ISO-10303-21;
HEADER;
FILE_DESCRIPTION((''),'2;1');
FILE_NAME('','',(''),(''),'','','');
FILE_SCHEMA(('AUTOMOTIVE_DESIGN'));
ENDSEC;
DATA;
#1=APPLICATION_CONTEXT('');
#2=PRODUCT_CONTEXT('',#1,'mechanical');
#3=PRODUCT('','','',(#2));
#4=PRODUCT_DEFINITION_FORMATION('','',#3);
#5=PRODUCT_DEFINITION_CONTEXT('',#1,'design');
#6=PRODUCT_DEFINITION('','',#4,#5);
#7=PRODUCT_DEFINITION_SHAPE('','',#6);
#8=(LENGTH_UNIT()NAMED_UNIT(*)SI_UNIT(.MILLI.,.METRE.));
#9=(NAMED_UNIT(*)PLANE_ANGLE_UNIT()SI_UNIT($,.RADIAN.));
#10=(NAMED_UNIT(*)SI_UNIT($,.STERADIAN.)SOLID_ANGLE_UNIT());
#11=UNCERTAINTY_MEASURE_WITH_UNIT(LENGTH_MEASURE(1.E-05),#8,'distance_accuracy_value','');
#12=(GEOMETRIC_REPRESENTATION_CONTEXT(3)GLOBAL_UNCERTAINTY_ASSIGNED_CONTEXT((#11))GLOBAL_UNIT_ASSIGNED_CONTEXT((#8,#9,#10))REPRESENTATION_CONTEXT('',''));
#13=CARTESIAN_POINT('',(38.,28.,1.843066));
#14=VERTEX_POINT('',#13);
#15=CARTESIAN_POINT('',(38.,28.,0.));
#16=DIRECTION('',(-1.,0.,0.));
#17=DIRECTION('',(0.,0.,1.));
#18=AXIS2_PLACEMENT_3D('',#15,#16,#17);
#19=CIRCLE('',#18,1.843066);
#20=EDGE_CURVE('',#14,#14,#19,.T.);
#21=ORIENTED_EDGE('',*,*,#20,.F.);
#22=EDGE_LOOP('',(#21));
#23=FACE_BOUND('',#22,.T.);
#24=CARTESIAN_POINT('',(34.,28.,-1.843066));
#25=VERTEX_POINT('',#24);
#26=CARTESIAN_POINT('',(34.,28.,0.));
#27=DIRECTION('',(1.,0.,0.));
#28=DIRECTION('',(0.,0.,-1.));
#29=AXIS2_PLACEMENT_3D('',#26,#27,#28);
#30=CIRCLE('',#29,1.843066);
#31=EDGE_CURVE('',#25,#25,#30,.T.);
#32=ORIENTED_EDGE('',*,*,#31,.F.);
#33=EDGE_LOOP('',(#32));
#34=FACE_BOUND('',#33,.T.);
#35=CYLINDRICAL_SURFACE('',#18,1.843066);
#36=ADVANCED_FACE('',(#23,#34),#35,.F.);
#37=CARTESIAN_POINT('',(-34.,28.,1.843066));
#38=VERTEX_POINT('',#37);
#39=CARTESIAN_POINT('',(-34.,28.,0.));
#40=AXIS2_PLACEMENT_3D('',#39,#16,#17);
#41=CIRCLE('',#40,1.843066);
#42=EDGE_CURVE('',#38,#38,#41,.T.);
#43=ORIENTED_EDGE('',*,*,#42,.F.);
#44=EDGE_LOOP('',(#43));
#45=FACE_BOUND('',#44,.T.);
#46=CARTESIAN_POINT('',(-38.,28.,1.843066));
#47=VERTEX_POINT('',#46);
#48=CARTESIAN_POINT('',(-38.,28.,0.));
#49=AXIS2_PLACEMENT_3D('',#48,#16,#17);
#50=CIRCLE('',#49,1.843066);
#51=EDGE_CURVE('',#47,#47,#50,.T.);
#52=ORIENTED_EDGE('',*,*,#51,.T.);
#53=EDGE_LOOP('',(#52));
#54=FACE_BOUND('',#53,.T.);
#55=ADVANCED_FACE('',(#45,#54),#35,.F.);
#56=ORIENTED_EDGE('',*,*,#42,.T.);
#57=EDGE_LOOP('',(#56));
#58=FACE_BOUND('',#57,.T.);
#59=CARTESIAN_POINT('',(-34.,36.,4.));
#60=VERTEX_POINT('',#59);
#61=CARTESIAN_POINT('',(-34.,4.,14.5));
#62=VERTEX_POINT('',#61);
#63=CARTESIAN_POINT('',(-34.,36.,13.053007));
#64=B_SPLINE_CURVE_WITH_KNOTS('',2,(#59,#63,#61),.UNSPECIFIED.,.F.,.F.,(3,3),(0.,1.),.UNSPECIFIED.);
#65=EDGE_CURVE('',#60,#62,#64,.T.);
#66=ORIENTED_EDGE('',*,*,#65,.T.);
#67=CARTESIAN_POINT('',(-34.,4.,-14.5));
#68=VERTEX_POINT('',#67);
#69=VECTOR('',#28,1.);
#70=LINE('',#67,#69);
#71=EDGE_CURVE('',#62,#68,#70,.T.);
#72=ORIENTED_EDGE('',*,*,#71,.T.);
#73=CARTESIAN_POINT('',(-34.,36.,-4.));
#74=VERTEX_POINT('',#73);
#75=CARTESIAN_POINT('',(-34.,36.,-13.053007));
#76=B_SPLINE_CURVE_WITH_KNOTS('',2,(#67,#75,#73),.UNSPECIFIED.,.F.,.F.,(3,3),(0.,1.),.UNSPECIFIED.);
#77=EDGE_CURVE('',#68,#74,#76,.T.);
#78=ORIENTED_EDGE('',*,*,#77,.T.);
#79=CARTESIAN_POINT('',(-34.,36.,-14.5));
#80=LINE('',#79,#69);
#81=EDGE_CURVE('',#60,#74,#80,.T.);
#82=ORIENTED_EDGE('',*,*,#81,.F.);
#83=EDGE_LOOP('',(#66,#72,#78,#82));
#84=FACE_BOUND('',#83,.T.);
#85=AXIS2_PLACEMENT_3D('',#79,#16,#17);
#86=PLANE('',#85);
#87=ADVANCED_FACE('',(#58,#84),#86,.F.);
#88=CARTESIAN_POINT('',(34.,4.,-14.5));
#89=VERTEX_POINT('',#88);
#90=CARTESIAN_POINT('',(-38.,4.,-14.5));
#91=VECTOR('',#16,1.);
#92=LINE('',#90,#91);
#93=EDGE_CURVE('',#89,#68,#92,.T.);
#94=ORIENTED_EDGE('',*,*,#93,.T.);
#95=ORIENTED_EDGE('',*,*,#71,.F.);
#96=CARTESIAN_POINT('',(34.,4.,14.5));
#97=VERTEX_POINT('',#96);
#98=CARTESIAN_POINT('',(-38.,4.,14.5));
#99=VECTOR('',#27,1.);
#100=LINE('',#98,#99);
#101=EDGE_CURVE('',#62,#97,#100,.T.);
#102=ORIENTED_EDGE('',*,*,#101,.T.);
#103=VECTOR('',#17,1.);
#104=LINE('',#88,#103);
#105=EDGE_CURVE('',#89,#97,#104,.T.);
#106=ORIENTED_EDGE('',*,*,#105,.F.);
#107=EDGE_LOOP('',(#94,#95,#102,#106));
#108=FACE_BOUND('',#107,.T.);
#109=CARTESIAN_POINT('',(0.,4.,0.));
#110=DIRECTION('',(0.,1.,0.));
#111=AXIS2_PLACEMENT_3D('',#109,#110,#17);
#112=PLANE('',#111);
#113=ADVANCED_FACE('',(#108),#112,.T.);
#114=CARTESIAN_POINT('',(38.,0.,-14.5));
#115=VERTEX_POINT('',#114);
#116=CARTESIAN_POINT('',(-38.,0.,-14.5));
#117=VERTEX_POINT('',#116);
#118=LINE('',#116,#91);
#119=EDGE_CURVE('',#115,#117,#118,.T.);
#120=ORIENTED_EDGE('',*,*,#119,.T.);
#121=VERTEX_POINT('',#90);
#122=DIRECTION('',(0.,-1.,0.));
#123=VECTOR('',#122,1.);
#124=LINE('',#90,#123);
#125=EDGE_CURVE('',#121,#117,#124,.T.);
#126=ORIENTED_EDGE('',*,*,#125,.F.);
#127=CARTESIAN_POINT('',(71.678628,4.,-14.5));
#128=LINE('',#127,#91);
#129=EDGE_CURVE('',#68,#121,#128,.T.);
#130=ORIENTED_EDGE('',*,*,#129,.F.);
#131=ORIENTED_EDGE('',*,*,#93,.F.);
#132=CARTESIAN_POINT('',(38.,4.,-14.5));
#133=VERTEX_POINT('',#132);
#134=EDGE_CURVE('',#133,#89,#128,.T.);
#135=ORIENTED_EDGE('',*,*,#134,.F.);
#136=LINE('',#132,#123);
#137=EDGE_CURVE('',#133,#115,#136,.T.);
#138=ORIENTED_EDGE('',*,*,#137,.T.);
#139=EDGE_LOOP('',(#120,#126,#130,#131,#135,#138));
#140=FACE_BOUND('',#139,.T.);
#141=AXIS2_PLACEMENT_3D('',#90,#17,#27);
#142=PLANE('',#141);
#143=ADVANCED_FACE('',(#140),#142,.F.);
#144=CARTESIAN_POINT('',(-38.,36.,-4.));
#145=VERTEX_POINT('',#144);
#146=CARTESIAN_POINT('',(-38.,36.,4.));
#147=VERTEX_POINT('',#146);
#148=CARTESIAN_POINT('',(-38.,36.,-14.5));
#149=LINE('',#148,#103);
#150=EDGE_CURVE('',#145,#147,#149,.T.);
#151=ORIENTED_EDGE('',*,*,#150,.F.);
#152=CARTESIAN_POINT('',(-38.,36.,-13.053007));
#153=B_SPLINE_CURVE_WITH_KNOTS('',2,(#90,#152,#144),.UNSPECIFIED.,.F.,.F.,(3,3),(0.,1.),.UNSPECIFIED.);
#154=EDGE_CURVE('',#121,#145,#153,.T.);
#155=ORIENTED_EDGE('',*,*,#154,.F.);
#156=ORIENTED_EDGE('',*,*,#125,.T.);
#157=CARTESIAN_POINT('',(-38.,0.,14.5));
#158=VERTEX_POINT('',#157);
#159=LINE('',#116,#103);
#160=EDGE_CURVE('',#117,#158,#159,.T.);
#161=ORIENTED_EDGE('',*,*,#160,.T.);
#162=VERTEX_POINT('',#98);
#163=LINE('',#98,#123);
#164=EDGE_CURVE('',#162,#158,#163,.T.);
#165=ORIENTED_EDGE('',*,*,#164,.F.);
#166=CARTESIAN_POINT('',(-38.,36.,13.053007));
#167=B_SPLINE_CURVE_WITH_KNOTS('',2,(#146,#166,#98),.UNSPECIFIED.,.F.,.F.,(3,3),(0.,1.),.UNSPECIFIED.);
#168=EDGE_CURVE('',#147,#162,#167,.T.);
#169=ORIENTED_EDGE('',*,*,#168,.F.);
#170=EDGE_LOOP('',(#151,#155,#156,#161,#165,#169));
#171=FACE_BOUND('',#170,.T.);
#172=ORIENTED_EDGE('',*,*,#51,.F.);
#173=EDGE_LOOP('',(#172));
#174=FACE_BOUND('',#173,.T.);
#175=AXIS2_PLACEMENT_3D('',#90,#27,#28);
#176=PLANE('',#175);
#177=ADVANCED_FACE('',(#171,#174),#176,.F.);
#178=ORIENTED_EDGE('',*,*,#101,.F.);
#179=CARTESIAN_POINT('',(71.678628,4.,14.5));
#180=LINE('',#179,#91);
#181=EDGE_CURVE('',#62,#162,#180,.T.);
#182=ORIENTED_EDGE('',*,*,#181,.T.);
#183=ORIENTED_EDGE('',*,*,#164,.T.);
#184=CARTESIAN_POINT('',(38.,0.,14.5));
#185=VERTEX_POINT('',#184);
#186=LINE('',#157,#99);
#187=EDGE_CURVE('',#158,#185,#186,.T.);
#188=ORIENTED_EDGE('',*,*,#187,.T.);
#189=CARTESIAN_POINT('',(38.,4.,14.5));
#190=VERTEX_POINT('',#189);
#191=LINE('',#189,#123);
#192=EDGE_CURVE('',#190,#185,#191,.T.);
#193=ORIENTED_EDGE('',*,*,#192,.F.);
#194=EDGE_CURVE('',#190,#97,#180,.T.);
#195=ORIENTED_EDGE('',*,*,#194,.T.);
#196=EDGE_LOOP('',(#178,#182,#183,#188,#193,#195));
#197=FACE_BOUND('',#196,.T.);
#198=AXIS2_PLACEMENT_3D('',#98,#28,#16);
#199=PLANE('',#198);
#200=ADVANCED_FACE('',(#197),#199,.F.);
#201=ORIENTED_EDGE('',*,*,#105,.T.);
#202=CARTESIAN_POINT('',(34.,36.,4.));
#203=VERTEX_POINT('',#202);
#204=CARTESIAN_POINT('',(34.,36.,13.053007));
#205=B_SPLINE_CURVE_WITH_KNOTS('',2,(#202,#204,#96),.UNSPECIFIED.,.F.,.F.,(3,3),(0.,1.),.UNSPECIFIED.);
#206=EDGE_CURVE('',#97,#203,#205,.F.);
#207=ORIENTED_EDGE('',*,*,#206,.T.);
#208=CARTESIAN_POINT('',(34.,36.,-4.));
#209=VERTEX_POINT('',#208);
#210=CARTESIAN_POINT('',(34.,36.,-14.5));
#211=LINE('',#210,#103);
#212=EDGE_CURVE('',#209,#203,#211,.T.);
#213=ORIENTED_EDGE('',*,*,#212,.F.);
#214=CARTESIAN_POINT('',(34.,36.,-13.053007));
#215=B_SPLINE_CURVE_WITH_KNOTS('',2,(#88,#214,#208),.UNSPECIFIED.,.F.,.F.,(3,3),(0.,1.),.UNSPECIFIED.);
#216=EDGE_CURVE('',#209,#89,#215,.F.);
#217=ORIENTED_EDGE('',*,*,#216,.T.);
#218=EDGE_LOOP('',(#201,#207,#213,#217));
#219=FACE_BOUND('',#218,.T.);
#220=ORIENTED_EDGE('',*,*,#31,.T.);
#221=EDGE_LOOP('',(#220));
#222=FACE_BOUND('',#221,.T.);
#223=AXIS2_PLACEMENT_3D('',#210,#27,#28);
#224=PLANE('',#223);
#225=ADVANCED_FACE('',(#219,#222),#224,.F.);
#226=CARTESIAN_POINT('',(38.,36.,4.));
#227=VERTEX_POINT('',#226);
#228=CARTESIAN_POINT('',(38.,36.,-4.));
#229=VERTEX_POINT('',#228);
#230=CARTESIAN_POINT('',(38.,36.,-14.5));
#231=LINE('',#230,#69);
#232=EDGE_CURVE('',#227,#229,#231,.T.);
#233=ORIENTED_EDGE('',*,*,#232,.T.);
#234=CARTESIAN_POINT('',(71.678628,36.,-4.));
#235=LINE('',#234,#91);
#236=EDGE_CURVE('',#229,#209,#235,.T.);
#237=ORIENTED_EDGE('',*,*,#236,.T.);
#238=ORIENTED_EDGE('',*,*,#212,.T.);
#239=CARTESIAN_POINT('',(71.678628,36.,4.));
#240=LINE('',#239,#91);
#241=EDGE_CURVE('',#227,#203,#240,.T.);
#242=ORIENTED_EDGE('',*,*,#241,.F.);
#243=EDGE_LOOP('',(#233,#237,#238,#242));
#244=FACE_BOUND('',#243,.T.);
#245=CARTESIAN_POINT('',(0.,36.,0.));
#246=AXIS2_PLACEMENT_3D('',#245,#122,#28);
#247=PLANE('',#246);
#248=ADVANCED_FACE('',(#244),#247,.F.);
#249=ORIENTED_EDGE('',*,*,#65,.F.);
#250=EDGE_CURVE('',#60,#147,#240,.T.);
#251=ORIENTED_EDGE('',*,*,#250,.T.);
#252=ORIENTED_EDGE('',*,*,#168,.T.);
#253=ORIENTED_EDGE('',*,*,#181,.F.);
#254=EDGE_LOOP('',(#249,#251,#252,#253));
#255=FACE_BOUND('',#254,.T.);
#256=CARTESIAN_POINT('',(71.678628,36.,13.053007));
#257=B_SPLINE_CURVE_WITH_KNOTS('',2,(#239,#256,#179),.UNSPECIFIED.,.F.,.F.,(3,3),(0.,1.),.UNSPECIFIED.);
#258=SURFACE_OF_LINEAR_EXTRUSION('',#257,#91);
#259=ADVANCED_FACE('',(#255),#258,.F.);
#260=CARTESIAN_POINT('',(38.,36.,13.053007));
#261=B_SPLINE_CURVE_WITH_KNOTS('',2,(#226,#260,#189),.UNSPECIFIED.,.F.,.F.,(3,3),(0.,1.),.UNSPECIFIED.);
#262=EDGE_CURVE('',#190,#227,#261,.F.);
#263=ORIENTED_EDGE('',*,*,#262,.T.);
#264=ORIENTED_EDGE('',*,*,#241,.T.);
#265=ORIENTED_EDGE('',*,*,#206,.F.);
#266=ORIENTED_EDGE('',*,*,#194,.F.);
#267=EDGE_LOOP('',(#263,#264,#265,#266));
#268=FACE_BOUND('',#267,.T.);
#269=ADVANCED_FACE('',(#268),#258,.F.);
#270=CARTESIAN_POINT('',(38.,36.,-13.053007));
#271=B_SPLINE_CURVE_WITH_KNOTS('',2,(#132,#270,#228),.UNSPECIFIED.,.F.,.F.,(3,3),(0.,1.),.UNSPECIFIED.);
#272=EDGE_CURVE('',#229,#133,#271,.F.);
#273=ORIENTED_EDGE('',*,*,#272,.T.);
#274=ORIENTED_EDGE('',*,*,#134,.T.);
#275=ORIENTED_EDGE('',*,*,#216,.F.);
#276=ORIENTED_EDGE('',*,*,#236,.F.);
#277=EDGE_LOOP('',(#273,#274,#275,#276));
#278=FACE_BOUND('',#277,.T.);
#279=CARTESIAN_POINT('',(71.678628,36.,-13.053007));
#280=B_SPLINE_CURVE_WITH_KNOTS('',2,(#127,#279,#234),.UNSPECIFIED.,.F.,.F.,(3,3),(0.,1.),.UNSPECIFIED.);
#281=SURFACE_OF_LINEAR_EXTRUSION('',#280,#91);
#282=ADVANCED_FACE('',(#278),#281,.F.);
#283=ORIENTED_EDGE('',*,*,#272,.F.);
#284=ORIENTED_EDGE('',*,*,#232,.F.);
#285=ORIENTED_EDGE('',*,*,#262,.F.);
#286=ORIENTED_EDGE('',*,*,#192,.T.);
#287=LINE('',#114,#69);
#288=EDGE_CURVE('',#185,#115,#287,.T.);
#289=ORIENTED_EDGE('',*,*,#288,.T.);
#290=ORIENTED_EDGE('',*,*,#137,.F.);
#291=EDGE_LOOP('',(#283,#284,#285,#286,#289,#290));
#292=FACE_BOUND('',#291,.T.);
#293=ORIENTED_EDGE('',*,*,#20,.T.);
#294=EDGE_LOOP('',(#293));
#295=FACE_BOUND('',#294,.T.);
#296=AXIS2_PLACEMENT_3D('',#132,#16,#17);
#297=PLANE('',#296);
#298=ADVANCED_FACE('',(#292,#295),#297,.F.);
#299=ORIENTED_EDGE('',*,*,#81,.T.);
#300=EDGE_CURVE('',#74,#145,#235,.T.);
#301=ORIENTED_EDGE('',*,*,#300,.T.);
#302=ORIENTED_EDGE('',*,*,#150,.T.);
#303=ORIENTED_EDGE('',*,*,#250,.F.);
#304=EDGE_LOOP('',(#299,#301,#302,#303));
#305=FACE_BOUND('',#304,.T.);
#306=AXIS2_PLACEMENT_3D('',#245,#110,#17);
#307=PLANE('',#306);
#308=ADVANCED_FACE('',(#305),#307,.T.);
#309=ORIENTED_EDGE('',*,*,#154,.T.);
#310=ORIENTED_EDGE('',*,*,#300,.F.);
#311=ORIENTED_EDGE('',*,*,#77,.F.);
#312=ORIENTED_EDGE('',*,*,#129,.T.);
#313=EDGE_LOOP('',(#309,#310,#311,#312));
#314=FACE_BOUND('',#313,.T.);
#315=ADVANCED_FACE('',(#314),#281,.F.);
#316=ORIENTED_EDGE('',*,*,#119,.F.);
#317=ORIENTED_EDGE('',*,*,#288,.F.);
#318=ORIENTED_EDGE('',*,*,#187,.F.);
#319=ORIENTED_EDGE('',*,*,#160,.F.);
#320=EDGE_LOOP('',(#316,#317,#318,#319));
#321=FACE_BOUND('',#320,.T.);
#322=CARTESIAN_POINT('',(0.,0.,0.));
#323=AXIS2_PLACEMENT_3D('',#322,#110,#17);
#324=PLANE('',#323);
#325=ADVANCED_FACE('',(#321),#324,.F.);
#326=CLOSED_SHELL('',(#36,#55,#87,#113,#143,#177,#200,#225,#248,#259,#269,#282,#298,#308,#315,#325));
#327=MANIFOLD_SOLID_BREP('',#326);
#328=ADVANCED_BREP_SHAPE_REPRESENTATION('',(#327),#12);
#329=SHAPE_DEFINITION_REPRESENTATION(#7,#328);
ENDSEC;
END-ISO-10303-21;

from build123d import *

# Parameters (mm, degrees)
SKETCH1_W               = 76
SKETCH1_H               = 29
BOSS_EXTRUDE1_DEPTH     = 4
SKETCH2_W               = 4
SKETCH2_H               = 29
BOSS_EXTRUDE2_DEPTH     = 32
CUT_EXTRUDE1_REACH      = 87.336
CUT_EXTRUDE2_DEPTH      = 82.793948581
CUT_EXTRUDE2_DEPTH_BACK = 82.793948581
SKETCH4_R               = 1.843066456


with BuildPart() as part:
    # Sketch1 → Boss-Extrude1 (new body)
    with BuildSketch(Plane(origin=(0, 0, 0), x_dir=(1, 0, 0), z_dir=(0, 1, 0))):
        Rectangle(SKETCH1_W, SKETCH1_H)
    extrude(amount=BOSS_EXTRUDE1_DEPTH)

    # Sketch2 → Boss-Extrude2 (add)
    with BuildSketch(Plane(origin=(0, 4, 0), x_dir=(1, 0, 0), z_dir=(0, 1, 0))):
        with Locations((-36, 0)):
            Rectangle(SKETCH2_W, SKETCH2_H)
        with Locations((36, 0)):
            Rectangle(SKETCH2_W, SKETCH2_H)
    extrude(amount=BOSS_EXTRUDE2_DEPTH)

    # Cut-Extrude1: up to this face of the body (flat: up to its plane)
    cut_extrude1_end = Plane(part.part.faces().sort_by_distance((38, 18, 0))[0])
    # Sketch3 → Cut-Extrude1 (cut, up to the picked face)
    with BuildSketch(Plane.ZY.offset(38), mode=Mode.PRIVATE) as cut_extrude1_sk1:
        with BuildLine():
            Line((14.5, 4), (14.5, 36))
            Line((14.5, 36), (4, 36))
            add(Edge.make_bspline(
                [(14.5, 4), (13.053007325, 36), (4, 36)],
                knots=[0, 0, 0, 1, 1, 1], degree=2))
        make_face()
    cut_extrude1_tool1 = split(extrude(cut_extrude1_sk1.sketch, amount=-CUT_EXTRUDE1_REACH, mode=Mode.PRIVATE), bisect_by=cut_extrude1_end, keep=Keep.BOTH, mode=Mode.PRIVATE)
    # Sketch3 → Cut-Extrude1 (cut, up to the picked face)
    with BuildSketch(Plane.ZY.offset(38), mode=Mode.PRIVATE) as cut_extrude1_sk2:
        with BuildLine():
            Line((-4, 36), (-14.5, 36))
            Line((-14.5, 36), (-14.5, 4))
            add(Edge.make_bspline(
                [(-14.5, 4), (-13.053007325, 36), (-4, 36)],
                knots=[0, 0, 0, 1, 1, 1], degree=2))
        make_face()
    cut_extrude1_tool2 = split(extrude(cut_extrude1_sk2.sketch, amount=-CUT_EXTRUDE1_REACH, mode=Mode.PRIVATE), bisect_by=cut_extrude1_end, keep=Keep.BOTH, mode=Mode.PRIVATE)
    add(cut_extrude1_tool1.solids().sort_by(Axis((-38, 28.217177, 12.337471), (1, 0, 0)))[0], mode=Mode.SUBTRACT)
    add(cut_extrude1_tool2.solids().sort_by(Axis((-38, 28.217177, -12.337471), (1, 0, 0)))[0], mode=Mode.SUBTRACT)

    # Sketch4 → Cut-Extrude2 (cut, two sides: drawn at the far end of the back side and taken through both)
    with BuildSketch(Plane.ZY.offset(-34).offset(-CUT_EXTRUDE2_DEPTH_BACK)):
        with Locations((0, 28)):
            Circle(SKETCH4_R)
    extrude(amount=CUT_EXTRUDE2_DEPTH + CUT_EXTRUDE2_DEPTH_BACK, mode=Mode.SUBTRACT)


solid = part.part
